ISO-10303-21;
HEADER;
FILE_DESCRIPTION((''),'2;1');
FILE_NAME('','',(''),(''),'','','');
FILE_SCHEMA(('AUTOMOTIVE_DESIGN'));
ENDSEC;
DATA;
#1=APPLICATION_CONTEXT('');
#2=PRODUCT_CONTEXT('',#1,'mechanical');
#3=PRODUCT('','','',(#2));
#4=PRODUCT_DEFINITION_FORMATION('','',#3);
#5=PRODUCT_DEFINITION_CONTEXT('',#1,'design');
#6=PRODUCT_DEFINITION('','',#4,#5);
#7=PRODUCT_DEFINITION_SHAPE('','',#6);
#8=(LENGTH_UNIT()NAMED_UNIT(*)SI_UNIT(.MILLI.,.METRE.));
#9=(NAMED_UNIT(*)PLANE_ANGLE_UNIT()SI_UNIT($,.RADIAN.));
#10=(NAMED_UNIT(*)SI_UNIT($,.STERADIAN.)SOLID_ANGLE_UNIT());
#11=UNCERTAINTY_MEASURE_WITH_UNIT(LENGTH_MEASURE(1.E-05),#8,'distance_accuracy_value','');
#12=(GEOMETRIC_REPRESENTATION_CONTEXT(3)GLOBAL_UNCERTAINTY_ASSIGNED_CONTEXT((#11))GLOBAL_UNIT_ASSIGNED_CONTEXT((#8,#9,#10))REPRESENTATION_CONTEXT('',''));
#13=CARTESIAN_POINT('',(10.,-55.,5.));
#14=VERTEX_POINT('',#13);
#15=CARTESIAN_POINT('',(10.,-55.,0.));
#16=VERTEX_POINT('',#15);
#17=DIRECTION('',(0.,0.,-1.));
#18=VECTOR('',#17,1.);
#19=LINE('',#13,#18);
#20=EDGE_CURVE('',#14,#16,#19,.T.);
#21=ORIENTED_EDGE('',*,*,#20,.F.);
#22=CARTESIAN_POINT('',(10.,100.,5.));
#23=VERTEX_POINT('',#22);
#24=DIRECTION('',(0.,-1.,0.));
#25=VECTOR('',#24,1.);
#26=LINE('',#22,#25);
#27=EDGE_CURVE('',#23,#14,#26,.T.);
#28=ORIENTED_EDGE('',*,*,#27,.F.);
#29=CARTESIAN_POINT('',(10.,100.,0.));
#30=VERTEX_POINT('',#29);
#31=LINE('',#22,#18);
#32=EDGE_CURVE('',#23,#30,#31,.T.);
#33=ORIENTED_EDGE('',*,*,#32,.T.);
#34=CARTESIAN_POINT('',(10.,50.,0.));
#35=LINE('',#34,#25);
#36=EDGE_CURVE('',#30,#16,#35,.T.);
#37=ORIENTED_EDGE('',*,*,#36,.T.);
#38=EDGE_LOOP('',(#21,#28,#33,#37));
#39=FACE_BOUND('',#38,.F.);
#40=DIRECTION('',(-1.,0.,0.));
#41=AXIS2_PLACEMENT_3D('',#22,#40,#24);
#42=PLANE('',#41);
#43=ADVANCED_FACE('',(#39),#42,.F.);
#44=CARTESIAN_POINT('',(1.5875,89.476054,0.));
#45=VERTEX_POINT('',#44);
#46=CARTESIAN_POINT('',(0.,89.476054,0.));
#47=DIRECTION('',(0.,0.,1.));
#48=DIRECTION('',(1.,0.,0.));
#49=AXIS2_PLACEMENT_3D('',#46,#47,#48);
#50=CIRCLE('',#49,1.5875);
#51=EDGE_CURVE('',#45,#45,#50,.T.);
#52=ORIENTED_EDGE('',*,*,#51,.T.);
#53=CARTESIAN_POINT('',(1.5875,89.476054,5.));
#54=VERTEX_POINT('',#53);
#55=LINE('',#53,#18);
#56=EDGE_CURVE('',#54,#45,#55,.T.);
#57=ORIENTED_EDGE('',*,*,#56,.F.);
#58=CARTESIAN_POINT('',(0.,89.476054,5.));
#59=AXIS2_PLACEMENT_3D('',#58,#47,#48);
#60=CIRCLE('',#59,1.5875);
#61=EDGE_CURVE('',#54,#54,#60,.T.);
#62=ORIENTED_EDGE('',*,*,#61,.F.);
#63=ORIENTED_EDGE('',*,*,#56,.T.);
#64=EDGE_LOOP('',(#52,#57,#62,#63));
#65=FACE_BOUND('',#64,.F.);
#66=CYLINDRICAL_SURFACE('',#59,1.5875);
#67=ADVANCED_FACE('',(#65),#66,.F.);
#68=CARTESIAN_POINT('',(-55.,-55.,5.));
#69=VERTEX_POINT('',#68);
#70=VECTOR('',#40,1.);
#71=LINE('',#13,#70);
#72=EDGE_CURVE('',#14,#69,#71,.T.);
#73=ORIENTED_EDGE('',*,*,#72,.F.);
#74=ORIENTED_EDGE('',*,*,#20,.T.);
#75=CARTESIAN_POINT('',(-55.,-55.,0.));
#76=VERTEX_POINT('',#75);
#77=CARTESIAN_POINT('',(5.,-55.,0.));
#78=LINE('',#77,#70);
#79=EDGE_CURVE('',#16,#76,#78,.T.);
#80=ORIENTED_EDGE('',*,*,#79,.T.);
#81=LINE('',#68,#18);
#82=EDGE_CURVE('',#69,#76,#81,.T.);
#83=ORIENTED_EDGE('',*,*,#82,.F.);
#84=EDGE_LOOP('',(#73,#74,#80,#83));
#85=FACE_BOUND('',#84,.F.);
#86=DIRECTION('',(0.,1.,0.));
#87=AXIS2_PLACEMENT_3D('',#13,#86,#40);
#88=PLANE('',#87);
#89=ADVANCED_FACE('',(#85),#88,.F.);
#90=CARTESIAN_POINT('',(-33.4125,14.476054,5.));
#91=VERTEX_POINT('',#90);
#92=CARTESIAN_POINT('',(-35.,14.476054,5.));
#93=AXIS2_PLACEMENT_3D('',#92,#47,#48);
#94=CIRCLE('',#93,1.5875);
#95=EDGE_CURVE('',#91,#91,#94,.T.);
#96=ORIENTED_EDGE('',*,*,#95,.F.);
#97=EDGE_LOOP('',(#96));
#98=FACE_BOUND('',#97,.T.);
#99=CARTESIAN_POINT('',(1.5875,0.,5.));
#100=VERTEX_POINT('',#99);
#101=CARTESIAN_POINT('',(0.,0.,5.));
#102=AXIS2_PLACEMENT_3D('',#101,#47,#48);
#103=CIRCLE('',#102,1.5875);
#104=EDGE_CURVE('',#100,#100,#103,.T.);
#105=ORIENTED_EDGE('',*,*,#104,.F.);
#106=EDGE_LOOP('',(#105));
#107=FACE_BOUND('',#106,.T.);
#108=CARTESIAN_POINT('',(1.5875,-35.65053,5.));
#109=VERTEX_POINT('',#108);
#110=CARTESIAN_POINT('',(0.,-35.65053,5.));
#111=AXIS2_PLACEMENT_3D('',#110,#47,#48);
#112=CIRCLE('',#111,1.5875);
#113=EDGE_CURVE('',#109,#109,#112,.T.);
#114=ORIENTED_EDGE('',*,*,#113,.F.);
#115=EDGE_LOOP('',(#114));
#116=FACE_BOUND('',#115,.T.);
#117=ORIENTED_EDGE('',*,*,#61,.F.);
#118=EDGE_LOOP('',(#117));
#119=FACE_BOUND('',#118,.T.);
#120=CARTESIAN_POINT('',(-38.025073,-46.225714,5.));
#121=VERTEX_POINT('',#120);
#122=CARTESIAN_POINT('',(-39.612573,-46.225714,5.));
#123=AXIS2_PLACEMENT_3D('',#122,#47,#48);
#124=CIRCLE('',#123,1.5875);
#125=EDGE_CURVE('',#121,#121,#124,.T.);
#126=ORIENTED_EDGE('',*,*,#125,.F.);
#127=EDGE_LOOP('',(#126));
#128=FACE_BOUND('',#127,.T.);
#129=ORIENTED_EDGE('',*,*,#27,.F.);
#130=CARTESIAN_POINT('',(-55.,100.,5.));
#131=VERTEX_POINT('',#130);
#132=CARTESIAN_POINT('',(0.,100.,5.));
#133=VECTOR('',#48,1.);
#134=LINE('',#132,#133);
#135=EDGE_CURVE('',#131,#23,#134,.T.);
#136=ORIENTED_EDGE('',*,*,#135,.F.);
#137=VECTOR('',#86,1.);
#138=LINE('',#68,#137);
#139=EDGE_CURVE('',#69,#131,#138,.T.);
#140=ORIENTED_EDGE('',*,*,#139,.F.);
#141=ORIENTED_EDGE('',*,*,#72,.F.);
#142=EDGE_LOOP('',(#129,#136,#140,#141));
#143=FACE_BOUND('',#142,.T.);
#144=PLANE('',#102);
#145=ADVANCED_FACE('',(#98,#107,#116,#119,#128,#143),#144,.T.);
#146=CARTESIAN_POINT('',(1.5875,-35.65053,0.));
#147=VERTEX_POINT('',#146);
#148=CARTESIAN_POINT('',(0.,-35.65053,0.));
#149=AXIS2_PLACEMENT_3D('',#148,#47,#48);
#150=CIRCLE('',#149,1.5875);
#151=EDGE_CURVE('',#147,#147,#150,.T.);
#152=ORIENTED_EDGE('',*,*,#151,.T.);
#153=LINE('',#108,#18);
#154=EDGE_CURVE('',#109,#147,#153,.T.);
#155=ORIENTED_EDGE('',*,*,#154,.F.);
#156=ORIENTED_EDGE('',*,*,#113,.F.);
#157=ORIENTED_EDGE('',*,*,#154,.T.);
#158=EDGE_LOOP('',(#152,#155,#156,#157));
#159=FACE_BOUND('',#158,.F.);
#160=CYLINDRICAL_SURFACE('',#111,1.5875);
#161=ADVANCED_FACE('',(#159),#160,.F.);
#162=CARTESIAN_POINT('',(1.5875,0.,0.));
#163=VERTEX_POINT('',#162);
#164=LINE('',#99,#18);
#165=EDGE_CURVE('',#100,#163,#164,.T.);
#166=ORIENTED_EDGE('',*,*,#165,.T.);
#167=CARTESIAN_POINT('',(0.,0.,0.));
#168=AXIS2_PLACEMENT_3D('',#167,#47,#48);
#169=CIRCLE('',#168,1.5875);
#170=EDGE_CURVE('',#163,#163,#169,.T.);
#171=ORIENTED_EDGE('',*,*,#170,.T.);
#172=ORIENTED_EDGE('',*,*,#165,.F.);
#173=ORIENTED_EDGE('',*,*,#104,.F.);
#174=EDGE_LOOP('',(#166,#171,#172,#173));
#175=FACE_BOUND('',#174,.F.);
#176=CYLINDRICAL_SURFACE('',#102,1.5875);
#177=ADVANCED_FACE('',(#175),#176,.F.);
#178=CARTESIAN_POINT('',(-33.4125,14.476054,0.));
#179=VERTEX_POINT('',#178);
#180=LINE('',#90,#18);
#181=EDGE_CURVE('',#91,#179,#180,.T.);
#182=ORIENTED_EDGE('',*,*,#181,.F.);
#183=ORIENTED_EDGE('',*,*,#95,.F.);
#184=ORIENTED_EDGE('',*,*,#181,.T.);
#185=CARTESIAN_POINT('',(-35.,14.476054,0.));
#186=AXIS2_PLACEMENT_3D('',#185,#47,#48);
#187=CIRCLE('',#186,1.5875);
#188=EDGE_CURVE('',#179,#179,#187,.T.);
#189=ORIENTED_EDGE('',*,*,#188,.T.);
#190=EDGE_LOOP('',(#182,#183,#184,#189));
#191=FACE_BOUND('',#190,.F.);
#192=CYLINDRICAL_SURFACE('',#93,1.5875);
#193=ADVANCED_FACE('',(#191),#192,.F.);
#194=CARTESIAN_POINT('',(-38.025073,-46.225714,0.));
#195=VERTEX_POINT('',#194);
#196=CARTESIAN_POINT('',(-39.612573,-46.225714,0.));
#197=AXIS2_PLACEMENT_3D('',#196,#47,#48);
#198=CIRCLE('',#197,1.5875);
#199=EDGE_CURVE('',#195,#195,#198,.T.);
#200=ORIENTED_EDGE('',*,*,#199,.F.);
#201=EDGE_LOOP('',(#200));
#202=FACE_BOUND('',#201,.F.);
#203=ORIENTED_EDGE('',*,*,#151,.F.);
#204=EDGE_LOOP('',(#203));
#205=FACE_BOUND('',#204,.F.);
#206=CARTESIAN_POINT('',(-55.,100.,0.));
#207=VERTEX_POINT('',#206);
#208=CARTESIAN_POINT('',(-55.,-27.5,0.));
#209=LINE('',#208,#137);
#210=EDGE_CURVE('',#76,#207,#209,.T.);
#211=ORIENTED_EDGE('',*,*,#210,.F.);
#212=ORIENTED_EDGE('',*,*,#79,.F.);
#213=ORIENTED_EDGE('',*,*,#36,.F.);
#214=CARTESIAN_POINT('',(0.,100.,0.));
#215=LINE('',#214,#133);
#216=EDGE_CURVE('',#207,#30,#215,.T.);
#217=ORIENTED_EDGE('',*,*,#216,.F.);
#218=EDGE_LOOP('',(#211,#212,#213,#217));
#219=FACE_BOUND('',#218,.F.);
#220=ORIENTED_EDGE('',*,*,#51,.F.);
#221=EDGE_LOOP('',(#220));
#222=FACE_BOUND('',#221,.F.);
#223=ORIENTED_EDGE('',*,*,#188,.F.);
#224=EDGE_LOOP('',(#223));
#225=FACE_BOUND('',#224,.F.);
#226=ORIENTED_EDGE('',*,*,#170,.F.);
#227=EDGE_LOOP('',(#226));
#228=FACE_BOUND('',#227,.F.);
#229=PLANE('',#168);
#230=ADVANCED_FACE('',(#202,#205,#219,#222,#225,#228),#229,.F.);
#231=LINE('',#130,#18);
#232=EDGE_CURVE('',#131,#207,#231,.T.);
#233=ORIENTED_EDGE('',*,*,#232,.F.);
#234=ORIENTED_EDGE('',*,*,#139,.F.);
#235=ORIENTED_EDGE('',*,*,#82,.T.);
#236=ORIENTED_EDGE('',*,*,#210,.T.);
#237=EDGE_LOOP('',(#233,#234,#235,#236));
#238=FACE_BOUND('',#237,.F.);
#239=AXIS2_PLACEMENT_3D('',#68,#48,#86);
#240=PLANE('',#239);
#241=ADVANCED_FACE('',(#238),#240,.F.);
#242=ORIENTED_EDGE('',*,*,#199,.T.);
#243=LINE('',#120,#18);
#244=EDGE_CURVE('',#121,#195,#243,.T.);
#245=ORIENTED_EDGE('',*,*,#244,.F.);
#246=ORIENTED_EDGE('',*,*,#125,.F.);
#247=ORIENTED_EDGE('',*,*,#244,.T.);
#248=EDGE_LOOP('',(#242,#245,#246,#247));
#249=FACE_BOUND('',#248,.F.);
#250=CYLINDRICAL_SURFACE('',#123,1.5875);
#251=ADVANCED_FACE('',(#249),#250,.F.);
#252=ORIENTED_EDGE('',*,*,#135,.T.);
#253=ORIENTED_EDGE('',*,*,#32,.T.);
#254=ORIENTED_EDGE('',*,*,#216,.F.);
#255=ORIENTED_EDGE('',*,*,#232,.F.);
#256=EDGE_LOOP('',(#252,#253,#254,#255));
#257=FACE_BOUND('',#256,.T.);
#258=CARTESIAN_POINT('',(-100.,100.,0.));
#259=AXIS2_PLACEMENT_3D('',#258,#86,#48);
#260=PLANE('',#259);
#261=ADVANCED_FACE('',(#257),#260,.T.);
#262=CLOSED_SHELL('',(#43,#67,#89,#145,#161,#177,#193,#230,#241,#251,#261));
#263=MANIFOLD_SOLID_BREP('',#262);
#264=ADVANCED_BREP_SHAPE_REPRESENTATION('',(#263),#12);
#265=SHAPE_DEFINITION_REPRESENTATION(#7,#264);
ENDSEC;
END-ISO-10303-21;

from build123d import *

# Parameters (mm, degrees)
F0_W     = 200
F0_H     = 200
F1_DEPTH = 5
F2_R     = 1.5875
F3_DEPTH = 5.001
F4_R     = 1.5875
F5_DEPTH = 25


with BuildPart() as f1:
    # F0 (on Top) → F1 (new body)
    with BuildSketch(Plane.XY):
        Rectangle(F0_W, F0_H)
    extrude(amount=F1_DEPTH)

    # F2 (on face) → F3 (cut, through all)
    with BuildSketch(Plane.XY.offset(5)):
        Circle(F2_R)
        with Locations((0, -35.65053)):
            Circle(F2_R)
        with Locations((-39.612573, -46.225714)):
            Circle(F2_R)
        with Locations((-35, 14.476054)):
            Circle(F2_R)
        with Locations((0, 89.476054)):
            Circle(F2_R)
    extrude(amount=-F3_DEPTH, mode=Mode.SUBTRACT)

    # F4 (on face) → F5 (cut)
    with BuildSketch(Plane.XY.offset(5)):
        Polygon((-55, -55), (-55, 100), (-100, 100), (-100, -100), (100, -100), (100, 100), (10, 100), (10, -55), align=None)
        Circle(F4_R)
        with Locations((0, -35.65053)):
            Circle(F4_R)
        with Locations((-39.612573, -46.225714)):
            Circle(F4_R)
        with Locations((-35, 14.476054)):
            Circle(F4_R)
        with Locations((0, 89.476054)):
            Circle(F4_R)
    extrude(amount=-F5_DEPTH, mode=Mode.SUBTRACT)


solid = f1.part
